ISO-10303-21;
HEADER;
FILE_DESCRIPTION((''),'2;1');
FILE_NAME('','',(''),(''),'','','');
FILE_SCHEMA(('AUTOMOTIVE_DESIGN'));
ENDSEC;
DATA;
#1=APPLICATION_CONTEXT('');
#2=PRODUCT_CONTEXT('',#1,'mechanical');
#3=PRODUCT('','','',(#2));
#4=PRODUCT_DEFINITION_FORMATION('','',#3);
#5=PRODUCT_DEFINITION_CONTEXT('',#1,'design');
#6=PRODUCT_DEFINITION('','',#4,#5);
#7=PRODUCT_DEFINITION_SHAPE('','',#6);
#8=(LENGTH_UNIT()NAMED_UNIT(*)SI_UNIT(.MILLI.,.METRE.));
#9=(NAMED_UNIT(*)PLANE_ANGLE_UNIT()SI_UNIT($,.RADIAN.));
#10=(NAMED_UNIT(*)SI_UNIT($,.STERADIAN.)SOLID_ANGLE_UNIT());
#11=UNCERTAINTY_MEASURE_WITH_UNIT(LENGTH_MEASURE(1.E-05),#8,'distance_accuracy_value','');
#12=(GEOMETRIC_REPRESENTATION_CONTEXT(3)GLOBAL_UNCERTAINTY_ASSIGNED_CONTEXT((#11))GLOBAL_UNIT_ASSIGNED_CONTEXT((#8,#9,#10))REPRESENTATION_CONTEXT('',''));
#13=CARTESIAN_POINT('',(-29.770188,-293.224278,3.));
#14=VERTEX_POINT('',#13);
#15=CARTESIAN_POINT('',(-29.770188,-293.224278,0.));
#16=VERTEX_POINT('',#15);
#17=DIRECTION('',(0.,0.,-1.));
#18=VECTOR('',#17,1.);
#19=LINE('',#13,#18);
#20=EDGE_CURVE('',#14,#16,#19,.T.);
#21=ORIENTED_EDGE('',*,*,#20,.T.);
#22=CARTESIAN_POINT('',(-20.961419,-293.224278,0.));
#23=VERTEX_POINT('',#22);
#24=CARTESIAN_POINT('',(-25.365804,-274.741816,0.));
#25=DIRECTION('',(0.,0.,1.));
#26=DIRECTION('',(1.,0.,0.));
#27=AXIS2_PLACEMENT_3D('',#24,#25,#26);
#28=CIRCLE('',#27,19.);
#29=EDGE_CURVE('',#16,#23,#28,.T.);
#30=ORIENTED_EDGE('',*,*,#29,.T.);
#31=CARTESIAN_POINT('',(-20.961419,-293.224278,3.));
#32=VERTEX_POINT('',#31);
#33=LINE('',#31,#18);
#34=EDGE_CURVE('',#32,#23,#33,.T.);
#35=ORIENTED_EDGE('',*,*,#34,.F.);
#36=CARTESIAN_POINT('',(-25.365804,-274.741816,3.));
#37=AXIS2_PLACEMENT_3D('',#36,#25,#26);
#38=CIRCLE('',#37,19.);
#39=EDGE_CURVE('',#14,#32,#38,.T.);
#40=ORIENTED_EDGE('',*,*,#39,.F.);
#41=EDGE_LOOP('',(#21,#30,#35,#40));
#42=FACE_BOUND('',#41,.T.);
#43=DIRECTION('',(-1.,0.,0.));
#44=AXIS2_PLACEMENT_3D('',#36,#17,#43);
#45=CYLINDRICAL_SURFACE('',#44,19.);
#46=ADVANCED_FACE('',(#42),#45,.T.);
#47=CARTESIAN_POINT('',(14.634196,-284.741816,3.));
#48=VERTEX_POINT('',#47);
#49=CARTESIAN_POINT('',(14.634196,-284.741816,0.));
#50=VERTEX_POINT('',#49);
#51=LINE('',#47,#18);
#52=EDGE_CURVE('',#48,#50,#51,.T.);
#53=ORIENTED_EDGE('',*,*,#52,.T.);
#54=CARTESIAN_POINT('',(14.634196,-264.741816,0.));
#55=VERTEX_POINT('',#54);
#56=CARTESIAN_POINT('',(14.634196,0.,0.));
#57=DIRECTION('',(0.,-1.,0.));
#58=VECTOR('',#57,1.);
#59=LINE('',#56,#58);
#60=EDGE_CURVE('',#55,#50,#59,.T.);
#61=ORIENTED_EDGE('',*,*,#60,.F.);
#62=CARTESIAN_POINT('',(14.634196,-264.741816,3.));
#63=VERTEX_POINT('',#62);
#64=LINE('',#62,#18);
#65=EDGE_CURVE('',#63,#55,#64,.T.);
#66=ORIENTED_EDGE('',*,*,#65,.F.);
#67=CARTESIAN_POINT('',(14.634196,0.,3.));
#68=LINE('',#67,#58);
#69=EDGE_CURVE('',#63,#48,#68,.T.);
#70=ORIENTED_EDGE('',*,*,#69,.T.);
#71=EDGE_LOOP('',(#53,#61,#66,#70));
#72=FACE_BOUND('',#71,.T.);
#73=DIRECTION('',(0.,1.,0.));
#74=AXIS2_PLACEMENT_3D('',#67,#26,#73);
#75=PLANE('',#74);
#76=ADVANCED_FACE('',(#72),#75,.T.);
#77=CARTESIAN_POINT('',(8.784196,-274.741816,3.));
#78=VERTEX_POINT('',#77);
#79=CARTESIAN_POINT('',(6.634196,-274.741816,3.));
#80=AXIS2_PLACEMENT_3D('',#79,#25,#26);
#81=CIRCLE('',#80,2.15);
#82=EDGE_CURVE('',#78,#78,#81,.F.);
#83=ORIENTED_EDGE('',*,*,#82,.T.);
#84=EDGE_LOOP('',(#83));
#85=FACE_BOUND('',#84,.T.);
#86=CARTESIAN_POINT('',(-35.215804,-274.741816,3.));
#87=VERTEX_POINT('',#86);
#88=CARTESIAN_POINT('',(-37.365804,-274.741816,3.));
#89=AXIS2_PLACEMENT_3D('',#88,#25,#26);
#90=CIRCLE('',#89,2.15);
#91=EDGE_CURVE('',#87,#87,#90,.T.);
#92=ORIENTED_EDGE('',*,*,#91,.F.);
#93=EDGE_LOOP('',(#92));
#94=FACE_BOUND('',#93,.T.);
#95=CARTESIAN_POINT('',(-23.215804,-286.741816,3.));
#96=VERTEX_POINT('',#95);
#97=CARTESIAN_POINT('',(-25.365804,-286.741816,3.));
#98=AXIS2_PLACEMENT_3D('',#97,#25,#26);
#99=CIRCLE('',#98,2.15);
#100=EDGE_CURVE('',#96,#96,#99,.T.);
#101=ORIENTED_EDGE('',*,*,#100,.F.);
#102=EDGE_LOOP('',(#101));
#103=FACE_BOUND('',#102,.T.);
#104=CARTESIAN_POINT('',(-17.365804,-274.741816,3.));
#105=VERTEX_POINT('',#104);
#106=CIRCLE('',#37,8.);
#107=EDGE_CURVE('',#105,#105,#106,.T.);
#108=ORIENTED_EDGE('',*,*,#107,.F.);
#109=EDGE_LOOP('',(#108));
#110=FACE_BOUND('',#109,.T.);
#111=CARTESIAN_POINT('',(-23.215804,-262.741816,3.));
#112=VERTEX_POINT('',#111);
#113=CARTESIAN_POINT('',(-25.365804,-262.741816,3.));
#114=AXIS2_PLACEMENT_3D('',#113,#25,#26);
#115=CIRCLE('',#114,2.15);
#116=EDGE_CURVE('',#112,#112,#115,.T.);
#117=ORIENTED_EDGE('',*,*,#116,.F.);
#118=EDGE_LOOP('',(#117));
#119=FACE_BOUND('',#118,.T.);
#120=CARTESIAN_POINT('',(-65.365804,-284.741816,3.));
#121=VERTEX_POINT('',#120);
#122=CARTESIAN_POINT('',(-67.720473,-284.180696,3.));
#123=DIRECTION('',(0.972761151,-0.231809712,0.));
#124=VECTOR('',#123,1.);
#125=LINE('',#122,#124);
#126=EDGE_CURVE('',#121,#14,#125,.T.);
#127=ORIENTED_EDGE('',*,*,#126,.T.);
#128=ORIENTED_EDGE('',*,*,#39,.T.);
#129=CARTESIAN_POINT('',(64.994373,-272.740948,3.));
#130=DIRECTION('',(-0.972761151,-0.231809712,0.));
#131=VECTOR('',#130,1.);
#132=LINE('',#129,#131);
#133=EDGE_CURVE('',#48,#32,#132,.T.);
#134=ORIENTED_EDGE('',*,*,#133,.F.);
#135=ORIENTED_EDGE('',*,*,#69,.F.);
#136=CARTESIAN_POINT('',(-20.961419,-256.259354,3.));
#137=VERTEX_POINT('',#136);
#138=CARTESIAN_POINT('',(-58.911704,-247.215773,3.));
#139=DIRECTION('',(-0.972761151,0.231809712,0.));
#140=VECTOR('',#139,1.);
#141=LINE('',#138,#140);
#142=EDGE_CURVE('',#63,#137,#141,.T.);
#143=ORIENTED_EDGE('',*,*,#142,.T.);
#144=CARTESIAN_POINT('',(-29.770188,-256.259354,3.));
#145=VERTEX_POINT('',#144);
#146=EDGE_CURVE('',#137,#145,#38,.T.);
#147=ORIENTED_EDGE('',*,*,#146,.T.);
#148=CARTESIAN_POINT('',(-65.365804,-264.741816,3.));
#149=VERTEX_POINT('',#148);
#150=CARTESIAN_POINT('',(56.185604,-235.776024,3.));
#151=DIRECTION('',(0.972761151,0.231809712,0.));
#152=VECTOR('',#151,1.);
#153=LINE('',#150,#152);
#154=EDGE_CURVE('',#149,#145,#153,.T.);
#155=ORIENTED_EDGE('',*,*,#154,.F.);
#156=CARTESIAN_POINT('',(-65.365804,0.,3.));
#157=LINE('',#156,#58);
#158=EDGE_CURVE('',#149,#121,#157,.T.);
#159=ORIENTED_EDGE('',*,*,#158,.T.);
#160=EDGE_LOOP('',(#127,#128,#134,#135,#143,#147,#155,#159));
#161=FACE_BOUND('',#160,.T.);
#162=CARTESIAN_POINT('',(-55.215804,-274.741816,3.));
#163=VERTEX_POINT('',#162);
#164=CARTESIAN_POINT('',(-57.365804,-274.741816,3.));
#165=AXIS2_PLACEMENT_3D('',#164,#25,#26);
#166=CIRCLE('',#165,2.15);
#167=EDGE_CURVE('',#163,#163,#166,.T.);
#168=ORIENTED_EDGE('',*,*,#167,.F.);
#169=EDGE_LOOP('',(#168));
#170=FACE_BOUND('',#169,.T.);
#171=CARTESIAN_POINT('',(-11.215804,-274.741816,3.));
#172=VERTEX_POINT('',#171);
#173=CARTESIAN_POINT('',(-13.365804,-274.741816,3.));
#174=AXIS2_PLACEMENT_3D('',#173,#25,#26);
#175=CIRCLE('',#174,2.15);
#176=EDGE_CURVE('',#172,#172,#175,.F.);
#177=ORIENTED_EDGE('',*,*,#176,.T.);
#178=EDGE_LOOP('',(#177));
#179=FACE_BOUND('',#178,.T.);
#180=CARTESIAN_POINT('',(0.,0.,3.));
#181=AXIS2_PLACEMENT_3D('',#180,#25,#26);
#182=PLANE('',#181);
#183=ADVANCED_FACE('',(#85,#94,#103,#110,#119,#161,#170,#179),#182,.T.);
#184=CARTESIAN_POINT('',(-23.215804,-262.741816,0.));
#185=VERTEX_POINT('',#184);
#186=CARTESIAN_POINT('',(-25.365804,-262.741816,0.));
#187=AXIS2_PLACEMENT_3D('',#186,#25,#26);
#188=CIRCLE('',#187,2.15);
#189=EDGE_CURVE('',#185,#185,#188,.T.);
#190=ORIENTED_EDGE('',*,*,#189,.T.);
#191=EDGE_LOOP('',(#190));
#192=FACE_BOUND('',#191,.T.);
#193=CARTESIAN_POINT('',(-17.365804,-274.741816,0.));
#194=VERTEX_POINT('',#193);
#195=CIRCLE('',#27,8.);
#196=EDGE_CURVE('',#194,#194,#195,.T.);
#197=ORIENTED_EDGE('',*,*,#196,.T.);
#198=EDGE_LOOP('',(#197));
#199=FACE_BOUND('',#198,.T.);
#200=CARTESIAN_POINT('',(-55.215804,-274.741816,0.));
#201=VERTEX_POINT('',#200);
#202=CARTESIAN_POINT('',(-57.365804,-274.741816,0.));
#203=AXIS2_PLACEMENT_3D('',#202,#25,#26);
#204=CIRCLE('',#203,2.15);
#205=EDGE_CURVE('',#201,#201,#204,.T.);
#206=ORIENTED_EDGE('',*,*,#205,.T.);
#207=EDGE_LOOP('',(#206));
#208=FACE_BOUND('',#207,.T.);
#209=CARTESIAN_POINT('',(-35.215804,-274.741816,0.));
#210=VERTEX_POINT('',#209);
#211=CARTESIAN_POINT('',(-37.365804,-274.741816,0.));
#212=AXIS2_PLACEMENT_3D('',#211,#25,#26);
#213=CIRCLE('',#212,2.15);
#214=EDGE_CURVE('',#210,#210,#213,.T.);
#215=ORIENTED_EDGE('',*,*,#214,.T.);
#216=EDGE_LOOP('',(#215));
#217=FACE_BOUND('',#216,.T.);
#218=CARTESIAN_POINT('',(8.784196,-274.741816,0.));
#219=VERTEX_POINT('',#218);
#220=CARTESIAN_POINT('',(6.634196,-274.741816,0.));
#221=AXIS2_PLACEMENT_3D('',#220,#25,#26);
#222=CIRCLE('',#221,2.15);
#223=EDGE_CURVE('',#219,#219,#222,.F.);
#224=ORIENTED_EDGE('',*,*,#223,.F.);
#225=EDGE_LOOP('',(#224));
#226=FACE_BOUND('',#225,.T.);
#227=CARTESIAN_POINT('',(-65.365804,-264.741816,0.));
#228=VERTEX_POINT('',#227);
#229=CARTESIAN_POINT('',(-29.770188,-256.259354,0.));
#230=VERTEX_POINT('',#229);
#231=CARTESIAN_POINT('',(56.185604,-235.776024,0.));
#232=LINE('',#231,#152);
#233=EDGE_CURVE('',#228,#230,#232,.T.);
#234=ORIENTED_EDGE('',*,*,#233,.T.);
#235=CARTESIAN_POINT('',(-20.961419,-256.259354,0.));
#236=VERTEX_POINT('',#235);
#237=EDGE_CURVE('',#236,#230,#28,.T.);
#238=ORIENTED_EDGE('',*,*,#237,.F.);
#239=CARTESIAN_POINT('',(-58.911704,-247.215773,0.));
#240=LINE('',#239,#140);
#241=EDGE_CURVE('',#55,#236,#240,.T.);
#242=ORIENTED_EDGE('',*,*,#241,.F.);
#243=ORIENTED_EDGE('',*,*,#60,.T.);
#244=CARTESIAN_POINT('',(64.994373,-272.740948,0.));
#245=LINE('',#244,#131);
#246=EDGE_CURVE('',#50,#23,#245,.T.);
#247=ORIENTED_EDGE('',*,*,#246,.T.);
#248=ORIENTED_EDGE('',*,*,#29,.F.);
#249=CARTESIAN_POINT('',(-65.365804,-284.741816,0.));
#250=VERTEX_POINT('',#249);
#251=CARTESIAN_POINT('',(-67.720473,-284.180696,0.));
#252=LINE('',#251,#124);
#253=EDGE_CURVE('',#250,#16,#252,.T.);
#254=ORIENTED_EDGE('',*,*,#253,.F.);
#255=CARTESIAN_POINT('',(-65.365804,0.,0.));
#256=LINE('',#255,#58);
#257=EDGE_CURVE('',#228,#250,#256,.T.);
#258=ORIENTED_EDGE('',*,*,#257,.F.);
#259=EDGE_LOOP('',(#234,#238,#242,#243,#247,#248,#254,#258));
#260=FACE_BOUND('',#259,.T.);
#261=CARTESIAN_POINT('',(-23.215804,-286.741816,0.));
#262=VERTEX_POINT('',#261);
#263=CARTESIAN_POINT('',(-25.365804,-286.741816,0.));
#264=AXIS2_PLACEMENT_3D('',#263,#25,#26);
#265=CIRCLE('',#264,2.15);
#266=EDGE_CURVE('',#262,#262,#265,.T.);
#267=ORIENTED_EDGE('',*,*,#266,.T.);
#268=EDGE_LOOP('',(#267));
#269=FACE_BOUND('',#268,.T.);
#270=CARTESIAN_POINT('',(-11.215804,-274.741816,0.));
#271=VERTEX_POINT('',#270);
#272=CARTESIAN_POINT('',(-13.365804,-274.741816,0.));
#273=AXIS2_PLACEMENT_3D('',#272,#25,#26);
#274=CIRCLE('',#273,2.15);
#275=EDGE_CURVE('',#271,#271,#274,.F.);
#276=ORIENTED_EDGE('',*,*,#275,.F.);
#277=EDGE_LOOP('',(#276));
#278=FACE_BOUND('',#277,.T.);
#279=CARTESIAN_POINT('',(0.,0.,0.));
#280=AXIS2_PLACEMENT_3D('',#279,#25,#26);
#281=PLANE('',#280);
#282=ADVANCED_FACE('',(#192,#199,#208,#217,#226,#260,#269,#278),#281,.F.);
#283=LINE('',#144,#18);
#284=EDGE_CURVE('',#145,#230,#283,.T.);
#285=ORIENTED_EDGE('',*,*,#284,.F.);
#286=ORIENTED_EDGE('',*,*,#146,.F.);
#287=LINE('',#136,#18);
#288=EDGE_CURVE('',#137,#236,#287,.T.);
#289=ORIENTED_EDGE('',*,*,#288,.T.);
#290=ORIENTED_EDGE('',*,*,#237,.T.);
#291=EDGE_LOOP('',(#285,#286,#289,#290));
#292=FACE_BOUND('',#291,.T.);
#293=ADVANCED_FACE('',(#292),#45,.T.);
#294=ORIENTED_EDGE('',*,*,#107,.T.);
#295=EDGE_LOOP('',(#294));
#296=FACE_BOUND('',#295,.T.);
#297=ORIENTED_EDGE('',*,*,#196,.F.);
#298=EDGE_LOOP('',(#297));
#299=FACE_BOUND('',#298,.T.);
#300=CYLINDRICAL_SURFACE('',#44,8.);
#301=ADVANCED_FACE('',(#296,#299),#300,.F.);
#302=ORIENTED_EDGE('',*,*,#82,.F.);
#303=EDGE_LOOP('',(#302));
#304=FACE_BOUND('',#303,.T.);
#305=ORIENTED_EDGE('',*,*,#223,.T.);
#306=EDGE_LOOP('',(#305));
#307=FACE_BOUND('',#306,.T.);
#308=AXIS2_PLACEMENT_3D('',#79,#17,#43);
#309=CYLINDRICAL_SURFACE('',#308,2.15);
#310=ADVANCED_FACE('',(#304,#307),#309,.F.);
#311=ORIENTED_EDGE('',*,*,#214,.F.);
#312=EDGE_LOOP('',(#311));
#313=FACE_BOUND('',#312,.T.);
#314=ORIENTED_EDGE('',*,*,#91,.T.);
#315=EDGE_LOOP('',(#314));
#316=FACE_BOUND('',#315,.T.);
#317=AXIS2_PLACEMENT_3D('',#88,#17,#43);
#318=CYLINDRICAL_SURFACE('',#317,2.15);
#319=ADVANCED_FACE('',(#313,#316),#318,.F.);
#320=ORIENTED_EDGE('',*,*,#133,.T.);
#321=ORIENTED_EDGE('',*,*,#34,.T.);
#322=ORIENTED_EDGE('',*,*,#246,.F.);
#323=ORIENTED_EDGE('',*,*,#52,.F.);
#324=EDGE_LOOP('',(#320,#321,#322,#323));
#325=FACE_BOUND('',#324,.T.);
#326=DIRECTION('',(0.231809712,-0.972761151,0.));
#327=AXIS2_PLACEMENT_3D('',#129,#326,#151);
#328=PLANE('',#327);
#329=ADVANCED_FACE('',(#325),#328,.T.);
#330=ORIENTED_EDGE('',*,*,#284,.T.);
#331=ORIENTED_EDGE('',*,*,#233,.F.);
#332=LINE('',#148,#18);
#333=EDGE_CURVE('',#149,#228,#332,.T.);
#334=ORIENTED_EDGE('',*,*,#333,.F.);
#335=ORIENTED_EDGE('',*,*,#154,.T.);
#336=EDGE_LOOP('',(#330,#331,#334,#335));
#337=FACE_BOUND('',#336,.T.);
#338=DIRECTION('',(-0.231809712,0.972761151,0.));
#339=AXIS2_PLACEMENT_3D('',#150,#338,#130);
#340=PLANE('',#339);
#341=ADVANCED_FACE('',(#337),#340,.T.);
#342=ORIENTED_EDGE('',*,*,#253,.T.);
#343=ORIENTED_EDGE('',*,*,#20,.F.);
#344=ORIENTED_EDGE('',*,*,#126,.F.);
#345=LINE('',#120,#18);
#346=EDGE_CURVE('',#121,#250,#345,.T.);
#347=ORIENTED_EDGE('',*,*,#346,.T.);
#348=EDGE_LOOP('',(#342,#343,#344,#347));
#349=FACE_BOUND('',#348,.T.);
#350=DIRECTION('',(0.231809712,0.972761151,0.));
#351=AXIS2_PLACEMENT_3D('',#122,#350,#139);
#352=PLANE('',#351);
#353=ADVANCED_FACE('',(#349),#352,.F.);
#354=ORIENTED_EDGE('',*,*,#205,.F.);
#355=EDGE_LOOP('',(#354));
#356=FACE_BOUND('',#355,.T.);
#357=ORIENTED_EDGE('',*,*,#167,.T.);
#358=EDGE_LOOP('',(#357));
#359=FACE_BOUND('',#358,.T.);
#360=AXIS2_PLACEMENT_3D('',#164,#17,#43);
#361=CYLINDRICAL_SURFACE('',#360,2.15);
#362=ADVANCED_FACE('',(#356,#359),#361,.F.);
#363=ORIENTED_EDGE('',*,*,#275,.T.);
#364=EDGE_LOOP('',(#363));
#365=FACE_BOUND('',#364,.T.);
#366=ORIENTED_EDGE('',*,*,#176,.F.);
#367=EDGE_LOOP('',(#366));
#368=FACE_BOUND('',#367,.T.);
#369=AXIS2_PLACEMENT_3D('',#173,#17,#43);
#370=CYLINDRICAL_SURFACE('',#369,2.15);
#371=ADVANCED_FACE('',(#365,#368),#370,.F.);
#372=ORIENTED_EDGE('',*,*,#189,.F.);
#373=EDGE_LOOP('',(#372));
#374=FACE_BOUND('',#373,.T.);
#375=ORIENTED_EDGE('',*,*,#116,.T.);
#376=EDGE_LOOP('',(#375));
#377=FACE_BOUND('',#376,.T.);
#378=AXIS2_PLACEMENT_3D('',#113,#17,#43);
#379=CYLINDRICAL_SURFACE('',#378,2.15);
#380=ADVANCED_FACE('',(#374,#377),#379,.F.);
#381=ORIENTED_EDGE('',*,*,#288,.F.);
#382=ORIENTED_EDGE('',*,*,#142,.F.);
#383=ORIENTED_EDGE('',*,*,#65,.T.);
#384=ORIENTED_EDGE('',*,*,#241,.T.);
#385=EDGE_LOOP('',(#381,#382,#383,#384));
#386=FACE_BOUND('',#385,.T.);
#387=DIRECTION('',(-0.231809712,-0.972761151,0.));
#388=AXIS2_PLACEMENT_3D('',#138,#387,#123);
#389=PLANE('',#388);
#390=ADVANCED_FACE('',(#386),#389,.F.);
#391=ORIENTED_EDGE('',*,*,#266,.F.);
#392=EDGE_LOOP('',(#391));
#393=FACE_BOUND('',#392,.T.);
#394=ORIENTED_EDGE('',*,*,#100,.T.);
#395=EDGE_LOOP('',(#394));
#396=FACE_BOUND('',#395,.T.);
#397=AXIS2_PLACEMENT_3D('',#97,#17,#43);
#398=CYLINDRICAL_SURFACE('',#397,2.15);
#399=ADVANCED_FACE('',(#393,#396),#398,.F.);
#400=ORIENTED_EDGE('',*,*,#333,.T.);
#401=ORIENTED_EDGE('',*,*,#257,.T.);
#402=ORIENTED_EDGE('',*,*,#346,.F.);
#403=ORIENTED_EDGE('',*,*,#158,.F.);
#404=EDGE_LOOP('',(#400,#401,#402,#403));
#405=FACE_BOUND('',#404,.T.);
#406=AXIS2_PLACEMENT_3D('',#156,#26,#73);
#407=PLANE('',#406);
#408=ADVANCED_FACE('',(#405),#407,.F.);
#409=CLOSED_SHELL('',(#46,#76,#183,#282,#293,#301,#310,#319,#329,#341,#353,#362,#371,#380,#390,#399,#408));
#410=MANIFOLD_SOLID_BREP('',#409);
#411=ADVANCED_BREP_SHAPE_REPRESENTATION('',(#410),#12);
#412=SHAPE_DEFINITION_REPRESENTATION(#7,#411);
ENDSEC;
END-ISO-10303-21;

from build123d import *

# Parameters (mm, degrees)
SKETCH1_R      = 2.15
SKETCH1_R_2    = 8
EXTRUDE1_DEPTH = 3


with BuildPart() as part:
    # Sketch1 → Extrude1 (new body)
    with BuildSketch(Plane.XY):
        with BuildLine():
            Line((-65.365803698, -264.741816005), (-65.365803698, -284.741816005))
            Line((-65.365803698, -284.741816005), (-29.77018823, -293.224277878))
            ThreePointArc((-29.77018823, -293.224277878), (-25.365803698, -293.741816005), (-20.961419166, -293.224277878))
            Line((-20.961419166, -293.224277878), (14.634196302, -284.741816005))
            Line((14.634196302, -284.741816005), (14.634196302, -264.741816005))
            Line((14.634196302, -264.741816005), (-20.961419166, -256.259354131))
            ThreePointArc((-20.961419166, -256.259354131), (-25.365803698, -255.741816005), (-29.77018823, -256.259354131))
            Line((-29.77018823, -256.259354131), (-65.365803698, -264.741816005))
        make_face()
        with Locations((-57.365803698, -274.741816005)):
            Circle(SKETCH1_R, mode=Mode.SUBTRACT)
        with Locations((-37.365803698, -274.741816005)):
            Circle(SKETCH1_R, mode=Mode.SUBTRACT)
        with Locations((-13.365803698, -274.741816005)):
            Circle(SKETCH1_R, mode=Mode.SUBTRACT)
        with Locations((6.634196302, -274.741816005)):
            Circle(SKETCH1_R, mode=Mode.SUBTRACT)
        with Locations((-25.365803698, -274.741816005)):
            Circle(SKETCH1_R_2, mode=Mode.SUBTRACT)
        with Locations((-25.365803698, -262.741816005)):
            Circle(SKETCH1_R, mode=Mode.SUBTRACT)
        with Locations((-25.365803698, -286.741816005)):
            Circle(SKETCH1_R, mode=Mode.SUBTRACT)
    extrude(amount=EXTRUDE1_DEPTH)


solid = part.part
